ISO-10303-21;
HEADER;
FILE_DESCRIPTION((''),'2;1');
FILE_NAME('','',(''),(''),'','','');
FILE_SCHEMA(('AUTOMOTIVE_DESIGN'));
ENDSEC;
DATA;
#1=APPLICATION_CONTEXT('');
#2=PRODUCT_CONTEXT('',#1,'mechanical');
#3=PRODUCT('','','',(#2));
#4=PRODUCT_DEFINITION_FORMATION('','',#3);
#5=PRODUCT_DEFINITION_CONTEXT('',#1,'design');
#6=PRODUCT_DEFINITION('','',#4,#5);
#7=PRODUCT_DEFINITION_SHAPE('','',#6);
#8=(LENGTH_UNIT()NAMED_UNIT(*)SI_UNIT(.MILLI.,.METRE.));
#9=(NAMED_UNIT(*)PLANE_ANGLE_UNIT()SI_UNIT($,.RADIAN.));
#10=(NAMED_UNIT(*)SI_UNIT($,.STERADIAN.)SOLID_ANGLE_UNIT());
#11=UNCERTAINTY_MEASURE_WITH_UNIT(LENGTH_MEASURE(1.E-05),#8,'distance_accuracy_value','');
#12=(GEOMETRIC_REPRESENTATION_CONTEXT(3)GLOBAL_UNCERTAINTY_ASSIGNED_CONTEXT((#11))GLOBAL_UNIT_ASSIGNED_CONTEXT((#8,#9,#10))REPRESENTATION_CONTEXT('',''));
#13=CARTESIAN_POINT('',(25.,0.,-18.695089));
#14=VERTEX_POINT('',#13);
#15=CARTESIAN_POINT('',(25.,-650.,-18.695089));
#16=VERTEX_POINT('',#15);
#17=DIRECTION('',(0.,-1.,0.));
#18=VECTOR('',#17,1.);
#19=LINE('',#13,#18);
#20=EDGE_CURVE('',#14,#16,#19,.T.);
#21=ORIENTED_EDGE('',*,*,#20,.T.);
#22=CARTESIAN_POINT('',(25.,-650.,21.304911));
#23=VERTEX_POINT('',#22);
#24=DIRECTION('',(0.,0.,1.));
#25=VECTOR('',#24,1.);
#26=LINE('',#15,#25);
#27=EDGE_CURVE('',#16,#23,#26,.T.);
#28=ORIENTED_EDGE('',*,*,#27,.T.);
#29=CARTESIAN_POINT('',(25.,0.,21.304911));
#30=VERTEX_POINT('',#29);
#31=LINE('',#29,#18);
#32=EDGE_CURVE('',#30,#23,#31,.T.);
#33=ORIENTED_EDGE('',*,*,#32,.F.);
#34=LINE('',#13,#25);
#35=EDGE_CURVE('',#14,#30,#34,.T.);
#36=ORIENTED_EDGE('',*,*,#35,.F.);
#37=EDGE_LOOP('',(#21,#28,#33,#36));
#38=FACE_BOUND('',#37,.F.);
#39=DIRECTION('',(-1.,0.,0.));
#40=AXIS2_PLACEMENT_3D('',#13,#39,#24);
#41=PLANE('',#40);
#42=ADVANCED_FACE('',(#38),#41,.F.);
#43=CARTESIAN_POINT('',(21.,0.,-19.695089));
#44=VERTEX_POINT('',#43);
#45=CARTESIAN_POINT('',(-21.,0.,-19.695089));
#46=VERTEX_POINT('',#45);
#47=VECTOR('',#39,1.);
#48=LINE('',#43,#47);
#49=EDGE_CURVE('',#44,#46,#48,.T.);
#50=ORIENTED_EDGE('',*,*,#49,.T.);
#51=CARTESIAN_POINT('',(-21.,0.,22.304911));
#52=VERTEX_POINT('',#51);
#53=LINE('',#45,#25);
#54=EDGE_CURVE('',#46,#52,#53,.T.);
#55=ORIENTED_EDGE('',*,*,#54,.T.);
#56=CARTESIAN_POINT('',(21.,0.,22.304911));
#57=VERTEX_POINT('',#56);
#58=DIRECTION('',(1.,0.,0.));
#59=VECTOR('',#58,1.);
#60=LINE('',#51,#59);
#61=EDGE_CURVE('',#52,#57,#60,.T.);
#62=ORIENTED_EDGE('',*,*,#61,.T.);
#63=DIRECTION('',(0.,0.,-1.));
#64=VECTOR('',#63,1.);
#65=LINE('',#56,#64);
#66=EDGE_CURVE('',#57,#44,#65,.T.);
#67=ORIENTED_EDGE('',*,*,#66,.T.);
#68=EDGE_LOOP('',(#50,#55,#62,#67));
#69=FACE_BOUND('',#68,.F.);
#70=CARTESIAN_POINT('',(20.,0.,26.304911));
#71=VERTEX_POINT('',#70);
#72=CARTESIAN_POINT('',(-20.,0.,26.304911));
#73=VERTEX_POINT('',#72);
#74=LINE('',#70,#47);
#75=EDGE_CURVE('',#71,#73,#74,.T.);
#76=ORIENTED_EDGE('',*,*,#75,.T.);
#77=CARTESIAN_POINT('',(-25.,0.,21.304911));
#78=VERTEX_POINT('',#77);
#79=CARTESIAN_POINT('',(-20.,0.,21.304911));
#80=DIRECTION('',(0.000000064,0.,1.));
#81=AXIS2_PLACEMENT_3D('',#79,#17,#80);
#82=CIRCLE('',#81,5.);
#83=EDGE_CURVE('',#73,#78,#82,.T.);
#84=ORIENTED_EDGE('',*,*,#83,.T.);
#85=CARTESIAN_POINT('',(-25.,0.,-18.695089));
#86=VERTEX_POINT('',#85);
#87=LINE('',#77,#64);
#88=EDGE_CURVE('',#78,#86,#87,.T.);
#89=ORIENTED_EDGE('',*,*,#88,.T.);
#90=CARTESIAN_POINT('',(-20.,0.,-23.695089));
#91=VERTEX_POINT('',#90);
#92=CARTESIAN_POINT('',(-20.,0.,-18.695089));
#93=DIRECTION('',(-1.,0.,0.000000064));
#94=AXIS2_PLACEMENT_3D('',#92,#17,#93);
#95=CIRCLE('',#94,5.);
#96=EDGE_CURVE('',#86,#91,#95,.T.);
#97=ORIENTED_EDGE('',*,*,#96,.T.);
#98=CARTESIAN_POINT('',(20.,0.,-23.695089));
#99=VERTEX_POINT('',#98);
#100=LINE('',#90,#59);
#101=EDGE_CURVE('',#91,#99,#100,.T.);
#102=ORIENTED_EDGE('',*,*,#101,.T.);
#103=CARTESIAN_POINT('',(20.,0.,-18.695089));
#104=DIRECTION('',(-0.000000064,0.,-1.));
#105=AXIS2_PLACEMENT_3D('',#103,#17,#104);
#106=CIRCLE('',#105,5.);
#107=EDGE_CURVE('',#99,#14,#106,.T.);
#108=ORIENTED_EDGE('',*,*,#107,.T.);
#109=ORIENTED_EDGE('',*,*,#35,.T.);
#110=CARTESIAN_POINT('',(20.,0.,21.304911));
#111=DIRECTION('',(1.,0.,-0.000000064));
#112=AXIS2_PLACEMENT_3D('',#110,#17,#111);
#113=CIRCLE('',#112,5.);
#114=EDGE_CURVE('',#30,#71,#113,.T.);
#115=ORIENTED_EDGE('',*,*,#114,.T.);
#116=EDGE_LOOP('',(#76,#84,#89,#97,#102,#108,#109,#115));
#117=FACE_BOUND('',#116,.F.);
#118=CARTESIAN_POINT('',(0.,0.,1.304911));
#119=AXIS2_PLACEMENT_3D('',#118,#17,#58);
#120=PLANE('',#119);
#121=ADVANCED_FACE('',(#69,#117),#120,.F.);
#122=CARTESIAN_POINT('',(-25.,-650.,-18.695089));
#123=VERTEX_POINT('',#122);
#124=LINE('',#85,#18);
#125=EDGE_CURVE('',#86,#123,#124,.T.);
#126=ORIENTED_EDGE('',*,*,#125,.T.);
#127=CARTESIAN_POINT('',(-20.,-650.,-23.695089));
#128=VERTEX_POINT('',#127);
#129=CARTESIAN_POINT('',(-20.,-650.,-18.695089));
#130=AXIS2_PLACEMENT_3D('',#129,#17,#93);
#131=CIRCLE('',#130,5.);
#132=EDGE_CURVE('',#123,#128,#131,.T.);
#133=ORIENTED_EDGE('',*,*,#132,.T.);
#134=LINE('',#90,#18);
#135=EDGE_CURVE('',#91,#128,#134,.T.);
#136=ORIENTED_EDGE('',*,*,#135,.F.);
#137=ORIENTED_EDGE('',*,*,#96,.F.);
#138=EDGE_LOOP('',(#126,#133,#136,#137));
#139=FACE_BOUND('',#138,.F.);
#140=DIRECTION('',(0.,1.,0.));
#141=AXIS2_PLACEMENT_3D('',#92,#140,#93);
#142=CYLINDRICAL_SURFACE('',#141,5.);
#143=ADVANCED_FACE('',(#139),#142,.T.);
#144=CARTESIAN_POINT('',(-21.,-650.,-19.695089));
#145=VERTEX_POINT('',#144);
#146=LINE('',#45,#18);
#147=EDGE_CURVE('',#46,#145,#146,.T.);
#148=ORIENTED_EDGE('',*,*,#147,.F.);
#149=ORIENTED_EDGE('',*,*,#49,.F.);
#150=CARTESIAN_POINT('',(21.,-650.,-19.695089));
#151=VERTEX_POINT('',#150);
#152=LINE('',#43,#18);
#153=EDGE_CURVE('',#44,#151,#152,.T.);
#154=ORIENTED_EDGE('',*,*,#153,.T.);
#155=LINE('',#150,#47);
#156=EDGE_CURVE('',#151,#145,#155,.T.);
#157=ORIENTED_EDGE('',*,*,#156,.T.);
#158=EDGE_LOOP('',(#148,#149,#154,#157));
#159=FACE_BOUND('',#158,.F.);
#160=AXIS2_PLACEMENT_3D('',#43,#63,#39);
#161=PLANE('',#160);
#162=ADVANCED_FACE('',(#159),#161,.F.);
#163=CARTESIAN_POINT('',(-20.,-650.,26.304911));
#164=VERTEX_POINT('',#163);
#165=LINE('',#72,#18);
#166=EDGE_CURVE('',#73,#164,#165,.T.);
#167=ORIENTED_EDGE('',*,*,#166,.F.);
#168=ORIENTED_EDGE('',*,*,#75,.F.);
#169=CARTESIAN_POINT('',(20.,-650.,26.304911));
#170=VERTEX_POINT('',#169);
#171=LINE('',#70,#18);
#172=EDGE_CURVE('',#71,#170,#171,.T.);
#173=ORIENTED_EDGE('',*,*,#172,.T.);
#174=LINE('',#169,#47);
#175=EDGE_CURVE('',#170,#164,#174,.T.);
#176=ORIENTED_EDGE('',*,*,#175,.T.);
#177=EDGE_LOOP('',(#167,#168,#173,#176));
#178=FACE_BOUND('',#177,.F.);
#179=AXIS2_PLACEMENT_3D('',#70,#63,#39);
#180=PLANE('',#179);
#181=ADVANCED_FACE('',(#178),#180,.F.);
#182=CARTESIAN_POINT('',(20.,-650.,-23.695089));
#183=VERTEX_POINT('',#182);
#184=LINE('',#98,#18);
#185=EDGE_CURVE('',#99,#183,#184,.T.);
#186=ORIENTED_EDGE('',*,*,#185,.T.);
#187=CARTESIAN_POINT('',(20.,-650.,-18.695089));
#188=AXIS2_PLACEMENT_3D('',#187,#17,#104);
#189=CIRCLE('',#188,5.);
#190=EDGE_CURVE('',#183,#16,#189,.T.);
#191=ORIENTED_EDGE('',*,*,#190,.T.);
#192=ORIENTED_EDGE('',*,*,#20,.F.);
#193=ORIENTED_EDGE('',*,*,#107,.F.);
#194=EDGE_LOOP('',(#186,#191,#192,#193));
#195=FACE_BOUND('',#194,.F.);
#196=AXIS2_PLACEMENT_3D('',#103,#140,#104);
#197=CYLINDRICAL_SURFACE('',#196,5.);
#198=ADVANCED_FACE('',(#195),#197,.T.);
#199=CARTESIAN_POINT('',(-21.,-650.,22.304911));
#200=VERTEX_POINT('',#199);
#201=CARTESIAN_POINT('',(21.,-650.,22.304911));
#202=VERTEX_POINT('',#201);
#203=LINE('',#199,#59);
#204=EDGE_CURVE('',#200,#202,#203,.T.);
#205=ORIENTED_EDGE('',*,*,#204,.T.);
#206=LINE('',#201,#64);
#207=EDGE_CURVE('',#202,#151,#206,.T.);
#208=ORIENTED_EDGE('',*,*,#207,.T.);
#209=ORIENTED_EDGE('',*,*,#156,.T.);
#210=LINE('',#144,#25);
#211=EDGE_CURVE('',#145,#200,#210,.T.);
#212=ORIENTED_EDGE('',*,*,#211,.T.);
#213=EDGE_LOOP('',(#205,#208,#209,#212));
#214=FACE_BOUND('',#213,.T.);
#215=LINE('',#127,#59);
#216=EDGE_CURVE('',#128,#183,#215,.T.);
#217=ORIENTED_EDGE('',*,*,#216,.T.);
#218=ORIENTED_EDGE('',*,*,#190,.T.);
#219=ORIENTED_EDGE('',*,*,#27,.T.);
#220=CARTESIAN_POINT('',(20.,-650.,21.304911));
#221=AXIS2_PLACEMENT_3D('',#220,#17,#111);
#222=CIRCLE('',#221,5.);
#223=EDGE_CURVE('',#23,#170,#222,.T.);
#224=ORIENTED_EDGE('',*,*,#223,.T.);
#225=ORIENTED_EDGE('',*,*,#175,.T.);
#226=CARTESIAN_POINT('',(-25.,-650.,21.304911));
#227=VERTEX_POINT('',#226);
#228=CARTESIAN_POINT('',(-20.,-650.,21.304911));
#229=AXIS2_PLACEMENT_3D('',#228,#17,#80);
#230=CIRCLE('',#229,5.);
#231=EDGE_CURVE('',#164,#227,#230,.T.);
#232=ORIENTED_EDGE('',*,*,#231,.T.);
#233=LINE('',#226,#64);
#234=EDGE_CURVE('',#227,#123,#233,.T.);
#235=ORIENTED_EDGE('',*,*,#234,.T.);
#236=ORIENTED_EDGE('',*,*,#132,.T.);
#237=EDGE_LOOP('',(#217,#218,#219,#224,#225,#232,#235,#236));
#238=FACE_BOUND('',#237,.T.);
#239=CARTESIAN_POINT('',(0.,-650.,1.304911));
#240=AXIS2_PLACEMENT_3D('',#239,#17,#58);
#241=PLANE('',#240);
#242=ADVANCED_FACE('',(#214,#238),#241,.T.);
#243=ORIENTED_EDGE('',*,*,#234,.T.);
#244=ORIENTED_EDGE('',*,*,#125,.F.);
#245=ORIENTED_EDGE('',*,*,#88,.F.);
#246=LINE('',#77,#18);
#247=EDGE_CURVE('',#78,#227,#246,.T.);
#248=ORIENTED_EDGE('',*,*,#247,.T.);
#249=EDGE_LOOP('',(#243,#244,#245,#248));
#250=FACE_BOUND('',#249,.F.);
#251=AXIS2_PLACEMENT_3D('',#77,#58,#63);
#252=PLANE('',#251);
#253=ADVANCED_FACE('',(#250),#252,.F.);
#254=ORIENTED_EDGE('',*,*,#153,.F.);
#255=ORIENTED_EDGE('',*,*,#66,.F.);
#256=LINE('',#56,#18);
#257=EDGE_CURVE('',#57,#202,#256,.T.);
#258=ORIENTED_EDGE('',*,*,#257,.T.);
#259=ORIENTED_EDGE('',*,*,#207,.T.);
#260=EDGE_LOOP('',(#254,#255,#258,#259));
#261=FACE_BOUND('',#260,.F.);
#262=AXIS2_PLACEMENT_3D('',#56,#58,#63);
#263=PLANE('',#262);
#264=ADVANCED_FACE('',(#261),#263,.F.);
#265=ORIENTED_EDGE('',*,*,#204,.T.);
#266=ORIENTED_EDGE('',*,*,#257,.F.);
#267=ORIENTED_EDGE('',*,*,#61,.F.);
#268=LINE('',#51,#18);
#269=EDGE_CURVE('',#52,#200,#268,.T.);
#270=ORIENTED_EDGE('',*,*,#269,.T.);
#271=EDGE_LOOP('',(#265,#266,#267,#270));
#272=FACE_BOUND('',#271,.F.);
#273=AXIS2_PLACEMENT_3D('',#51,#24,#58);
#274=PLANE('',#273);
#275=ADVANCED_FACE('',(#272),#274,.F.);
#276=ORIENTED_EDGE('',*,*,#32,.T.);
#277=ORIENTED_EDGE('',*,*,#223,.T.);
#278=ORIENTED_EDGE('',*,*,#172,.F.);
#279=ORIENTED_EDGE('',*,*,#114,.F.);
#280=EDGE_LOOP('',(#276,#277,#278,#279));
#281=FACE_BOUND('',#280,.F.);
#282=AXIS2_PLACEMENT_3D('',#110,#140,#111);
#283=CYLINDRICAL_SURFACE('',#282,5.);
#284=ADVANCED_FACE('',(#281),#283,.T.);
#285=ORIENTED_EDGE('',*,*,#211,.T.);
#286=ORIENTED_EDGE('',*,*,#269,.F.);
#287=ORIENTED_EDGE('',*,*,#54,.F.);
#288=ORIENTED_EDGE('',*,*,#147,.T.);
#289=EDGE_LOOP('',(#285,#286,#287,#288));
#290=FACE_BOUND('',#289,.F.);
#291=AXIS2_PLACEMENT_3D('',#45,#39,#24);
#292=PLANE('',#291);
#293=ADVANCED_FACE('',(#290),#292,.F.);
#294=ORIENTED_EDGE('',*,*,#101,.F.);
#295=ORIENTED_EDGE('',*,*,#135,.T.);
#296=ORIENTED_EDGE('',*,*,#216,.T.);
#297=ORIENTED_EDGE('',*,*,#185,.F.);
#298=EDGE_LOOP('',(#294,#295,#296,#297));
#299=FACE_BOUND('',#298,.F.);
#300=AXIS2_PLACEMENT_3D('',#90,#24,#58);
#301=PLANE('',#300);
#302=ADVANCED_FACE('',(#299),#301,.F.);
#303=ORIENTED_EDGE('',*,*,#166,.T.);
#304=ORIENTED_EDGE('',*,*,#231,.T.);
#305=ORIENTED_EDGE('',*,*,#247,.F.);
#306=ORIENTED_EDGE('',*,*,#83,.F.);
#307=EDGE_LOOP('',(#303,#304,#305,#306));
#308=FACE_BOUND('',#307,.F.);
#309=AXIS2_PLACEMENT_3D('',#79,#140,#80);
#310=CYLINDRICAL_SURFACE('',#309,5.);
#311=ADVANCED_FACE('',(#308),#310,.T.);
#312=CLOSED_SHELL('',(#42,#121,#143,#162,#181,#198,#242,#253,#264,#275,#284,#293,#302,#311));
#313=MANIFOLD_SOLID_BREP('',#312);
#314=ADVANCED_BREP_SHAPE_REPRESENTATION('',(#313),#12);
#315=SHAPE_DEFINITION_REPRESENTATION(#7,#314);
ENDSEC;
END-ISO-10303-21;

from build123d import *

# Parameters (mm, degrees)
F1_DEPTH = 650


with BuildPart() as f1:
    # F0 (on Front) → F1 (new body)
    with BuildSketch(Plane.XZ):
        with BuildLine():
            Line((0, 26.304911), (-20, 26.304911))
            ThreePointArc((-20, 26.304911), (-23.535534, 24.840445), (-25, 21.304911))
            Line((-25, 21.304911), (-25, -18.695089))
            ThreePointArc((-25, -18.695089), (-23.535534, -22.230623), (-20, -23.695089))
            Line((-20, -23.695089), (0, -23.695089))
            Line((0, -23.695089), (20, -23.695089))
            ThreePointArc((20, -23.695089), (23.535534, -22.230623), (25, -18.695089))
            Line((25, -18.695089), (25, 21.304911))
            ThreePointArc((25, 21.304911), (23.535534, 24.840445), (20, 26.304911))
            Line((20, 26.304911), (0, 26.304911))
        make_face()
        Polygon((-21, -19.695089), (-21, 22.304911), (2.5, 22.304911), (21, 22.304911), (21, -19.695089), (2.5, -19.695089), align=None, mode=Mode.SUBTRACT)
    extrude(amount=F1_DEPTH)


solid = f1.part
